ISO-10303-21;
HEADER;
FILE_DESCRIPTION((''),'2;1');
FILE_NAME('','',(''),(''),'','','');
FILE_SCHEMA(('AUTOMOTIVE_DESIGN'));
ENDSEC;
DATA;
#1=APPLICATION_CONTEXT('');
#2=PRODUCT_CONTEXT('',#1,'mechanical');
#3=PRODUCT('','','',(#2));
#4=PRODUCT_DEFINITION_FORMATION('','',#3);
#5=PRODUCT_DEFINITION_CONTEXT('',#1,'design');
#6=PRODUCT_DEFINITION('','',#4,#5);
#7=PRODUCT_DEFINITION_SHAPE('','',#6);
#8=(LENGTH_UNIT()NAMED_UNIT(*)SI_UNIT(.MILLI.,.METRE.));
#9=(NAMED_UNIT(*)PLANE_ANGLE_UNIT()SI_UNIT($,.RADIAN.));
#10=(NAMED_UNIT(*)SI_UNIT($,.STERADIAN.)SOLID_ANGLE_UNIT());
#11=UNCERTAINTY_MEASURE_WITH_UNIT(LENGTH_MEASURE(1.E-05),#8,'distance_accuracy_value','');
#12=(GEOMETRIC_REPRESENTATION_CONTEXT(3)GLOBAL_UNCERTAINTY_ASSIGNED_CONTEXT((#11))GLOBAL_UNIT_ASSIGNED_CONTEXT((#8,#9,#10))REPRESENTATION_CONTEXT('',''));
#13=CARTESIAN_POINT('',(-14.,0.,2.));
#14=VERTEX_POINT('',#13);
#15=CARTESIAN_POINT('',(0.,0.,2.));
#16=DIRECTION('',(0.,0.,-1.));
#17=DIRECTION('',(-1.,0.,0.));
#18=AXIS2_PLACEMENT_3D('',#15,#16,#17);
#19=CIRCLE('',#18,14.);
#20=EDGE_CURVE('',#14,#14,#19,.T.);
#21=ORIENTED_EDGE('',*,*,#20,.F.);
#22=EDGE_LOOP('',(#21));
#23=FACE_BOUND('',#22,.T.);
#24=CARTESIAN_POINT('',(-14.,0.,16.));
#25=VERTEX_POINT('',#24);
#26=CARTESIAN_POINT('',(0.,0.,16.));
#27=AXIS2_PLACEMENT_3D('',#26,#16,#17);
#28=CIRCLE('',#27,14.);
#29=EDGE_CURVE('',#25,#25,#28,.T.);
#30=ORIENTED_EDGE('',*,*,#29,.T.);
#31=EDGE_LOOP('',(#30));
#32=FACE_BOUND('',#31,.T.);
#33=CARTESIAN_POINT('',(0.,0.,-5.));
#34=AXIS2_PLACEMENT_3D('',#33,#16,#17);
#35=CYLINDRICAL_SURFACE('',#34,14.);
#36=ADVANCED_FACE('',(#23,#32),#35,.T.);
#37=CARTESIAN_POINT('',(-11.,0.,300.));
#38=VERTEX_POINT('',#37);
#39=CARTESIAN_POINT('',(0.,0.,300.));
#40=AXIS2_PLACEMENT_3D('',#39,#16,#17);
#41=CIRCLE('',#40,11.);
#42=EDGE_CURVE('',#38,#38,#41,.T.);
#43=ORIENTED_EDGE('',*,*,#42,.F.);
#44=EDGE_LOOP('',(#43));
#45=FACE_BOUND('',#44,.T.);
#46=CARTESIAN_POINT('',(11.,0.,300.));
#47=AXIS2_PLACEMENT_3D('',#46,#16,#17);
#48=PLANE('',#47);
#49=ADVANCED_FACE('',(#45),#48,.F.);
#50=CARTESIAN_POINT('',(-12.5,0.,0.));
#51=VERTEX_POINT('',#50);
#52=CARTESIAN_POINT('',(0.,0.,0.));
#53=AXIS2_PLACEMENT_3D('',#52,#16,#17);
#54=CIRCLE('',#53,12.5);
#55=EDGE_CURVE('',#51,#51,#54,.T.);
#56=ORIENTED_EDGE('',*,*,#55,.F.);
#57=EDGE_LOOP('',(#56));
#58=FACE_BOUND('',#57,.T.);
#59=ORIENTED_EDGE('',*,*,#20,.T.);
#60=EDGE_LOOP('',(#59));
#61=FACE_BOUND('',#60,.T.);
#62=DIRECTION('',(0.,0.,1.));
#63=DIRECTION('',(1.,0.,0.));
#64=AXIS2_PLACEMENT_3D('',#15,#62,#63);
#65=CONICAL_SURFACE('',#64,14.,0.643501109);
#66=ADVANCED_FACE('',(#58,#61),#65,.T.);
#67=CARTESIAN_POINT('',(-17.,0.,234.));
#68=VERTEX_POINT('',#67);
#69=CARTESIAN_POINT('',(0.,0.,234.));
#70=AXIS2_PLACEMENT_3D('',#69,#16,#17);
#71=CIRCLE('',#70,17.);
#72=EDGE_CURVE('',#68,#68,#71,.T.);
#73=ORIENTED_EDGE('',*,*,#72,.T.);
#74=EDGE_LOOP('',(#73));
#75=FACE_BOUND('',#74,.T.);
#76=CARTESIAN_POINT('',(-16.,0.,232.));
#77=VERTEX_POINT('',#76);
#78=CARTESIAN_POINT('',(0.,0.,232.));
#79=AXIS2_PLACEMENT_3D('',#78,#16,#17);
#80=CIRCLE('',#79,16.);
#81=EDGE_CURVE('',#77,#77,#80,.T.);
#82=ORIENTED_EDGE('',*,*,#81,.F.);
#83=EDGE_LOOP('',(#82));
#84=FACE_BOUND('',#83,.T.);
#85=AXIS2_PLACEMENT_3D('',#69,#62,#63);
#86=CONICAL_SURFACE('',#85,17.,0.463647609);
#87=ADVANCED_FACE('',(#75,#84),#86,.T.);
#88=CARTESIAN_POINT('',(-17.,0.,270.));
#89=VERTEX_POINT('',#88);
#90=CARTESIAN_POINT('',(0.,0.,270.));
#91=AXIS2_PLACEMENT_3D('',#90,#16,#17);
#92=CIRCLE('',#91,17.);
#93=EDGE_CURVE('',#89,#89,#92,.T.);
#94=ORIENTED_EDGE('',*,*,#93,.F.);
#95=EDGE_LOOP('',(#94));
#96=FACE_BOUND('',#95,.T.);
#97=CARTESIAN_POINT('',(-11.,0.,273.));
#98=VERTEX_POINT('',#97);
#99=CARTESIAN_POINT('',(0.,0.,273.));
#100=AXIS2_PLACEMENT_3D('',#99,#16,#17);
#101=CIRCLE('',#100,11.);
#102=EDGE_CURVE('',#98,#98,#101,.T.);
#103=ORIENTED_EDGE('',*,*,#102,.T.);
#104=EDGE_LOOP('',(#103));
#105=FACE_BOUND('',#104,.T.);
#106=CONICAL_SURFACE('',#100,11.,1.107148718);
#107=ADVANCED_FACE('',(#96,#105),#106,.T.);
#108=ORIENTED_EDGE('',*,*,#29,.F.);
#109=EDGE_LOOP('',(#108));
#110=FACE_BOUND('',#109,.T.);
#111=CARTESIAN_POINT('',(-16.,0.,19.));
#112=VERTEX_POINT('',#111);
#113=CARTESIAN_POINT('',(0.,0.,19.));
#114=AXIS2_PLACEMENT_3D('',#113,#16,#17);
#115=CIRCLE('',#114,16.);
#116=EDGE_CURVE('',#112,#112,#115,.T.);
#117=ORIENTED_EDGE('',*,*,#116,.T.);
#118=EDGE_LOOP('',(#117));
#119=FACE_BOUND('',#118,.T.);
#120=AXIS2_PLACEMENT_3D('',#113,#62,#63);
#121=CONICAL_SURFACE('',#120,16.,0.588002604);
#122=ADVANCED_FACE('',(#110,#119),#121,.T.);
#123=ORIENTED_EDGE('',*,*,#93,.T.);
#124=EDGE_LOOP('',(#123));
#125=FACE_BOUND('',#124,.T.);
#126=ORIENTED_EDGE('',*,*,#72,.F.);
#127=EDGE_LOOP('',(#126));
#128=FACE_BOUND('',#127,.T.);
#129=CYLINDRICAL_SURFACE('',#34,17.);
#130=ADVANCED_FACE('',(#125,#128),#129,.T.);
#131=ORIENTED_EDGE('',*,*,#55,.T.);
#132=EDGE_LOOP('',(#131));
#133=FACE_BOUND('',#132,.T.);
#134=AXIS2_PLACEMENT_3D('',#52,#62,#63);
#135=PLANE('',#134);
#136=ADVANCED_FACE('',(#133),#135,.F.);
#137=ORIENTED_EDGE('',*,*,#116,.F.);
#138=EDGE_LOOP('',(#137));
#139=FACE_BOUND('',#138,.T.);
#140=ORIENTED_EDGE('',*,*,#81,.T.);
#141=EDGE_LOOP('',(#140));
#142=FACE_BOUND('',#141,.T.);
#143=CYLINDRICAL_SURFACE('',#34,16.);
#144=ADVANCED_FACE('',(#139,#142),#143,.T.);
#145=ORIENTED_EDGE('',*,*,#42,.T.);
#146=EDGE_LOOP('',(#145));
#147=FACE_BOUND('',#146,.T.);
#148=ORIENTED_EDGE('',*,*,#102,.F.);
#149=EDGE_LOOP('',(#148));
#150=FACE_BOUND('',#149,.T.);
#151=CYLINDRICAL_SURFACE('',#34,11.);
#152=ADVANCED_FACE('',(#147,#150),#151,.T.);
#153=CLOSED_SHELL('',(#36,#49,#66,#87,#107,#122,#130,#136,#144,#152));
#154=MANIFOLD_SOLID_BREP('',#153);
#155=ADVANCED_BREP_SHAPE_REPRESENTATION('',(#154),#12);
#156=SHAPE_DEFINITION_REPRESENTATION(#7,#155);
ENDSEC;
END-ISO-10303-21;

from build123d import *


with BuildPart() as part:
    # Revolve profile 1 → Revolve 1 (revolve)
    with BuildSketch(Plane(origin=(0, 0, 0), x_dir=(1, 0, 0), z_dir=(0, 1, 0)), mode=Mode.PRIVATE) as revolve_1_sk:
        Polygon((0, -300), (0, 0), (12.5, 0), (14, -2), (14, -16), (16, -19), (16, -232), (17, -234), (17, -270), (11, -273), (11, -300), align=None)
    revolve(revolve_1_sk.sketch.rotate(Axis((0, 0, -5), (0, 0, 1)), 180), axis=Axis((0, 0, -5), (0, 0, 1)))


solid = part.part
